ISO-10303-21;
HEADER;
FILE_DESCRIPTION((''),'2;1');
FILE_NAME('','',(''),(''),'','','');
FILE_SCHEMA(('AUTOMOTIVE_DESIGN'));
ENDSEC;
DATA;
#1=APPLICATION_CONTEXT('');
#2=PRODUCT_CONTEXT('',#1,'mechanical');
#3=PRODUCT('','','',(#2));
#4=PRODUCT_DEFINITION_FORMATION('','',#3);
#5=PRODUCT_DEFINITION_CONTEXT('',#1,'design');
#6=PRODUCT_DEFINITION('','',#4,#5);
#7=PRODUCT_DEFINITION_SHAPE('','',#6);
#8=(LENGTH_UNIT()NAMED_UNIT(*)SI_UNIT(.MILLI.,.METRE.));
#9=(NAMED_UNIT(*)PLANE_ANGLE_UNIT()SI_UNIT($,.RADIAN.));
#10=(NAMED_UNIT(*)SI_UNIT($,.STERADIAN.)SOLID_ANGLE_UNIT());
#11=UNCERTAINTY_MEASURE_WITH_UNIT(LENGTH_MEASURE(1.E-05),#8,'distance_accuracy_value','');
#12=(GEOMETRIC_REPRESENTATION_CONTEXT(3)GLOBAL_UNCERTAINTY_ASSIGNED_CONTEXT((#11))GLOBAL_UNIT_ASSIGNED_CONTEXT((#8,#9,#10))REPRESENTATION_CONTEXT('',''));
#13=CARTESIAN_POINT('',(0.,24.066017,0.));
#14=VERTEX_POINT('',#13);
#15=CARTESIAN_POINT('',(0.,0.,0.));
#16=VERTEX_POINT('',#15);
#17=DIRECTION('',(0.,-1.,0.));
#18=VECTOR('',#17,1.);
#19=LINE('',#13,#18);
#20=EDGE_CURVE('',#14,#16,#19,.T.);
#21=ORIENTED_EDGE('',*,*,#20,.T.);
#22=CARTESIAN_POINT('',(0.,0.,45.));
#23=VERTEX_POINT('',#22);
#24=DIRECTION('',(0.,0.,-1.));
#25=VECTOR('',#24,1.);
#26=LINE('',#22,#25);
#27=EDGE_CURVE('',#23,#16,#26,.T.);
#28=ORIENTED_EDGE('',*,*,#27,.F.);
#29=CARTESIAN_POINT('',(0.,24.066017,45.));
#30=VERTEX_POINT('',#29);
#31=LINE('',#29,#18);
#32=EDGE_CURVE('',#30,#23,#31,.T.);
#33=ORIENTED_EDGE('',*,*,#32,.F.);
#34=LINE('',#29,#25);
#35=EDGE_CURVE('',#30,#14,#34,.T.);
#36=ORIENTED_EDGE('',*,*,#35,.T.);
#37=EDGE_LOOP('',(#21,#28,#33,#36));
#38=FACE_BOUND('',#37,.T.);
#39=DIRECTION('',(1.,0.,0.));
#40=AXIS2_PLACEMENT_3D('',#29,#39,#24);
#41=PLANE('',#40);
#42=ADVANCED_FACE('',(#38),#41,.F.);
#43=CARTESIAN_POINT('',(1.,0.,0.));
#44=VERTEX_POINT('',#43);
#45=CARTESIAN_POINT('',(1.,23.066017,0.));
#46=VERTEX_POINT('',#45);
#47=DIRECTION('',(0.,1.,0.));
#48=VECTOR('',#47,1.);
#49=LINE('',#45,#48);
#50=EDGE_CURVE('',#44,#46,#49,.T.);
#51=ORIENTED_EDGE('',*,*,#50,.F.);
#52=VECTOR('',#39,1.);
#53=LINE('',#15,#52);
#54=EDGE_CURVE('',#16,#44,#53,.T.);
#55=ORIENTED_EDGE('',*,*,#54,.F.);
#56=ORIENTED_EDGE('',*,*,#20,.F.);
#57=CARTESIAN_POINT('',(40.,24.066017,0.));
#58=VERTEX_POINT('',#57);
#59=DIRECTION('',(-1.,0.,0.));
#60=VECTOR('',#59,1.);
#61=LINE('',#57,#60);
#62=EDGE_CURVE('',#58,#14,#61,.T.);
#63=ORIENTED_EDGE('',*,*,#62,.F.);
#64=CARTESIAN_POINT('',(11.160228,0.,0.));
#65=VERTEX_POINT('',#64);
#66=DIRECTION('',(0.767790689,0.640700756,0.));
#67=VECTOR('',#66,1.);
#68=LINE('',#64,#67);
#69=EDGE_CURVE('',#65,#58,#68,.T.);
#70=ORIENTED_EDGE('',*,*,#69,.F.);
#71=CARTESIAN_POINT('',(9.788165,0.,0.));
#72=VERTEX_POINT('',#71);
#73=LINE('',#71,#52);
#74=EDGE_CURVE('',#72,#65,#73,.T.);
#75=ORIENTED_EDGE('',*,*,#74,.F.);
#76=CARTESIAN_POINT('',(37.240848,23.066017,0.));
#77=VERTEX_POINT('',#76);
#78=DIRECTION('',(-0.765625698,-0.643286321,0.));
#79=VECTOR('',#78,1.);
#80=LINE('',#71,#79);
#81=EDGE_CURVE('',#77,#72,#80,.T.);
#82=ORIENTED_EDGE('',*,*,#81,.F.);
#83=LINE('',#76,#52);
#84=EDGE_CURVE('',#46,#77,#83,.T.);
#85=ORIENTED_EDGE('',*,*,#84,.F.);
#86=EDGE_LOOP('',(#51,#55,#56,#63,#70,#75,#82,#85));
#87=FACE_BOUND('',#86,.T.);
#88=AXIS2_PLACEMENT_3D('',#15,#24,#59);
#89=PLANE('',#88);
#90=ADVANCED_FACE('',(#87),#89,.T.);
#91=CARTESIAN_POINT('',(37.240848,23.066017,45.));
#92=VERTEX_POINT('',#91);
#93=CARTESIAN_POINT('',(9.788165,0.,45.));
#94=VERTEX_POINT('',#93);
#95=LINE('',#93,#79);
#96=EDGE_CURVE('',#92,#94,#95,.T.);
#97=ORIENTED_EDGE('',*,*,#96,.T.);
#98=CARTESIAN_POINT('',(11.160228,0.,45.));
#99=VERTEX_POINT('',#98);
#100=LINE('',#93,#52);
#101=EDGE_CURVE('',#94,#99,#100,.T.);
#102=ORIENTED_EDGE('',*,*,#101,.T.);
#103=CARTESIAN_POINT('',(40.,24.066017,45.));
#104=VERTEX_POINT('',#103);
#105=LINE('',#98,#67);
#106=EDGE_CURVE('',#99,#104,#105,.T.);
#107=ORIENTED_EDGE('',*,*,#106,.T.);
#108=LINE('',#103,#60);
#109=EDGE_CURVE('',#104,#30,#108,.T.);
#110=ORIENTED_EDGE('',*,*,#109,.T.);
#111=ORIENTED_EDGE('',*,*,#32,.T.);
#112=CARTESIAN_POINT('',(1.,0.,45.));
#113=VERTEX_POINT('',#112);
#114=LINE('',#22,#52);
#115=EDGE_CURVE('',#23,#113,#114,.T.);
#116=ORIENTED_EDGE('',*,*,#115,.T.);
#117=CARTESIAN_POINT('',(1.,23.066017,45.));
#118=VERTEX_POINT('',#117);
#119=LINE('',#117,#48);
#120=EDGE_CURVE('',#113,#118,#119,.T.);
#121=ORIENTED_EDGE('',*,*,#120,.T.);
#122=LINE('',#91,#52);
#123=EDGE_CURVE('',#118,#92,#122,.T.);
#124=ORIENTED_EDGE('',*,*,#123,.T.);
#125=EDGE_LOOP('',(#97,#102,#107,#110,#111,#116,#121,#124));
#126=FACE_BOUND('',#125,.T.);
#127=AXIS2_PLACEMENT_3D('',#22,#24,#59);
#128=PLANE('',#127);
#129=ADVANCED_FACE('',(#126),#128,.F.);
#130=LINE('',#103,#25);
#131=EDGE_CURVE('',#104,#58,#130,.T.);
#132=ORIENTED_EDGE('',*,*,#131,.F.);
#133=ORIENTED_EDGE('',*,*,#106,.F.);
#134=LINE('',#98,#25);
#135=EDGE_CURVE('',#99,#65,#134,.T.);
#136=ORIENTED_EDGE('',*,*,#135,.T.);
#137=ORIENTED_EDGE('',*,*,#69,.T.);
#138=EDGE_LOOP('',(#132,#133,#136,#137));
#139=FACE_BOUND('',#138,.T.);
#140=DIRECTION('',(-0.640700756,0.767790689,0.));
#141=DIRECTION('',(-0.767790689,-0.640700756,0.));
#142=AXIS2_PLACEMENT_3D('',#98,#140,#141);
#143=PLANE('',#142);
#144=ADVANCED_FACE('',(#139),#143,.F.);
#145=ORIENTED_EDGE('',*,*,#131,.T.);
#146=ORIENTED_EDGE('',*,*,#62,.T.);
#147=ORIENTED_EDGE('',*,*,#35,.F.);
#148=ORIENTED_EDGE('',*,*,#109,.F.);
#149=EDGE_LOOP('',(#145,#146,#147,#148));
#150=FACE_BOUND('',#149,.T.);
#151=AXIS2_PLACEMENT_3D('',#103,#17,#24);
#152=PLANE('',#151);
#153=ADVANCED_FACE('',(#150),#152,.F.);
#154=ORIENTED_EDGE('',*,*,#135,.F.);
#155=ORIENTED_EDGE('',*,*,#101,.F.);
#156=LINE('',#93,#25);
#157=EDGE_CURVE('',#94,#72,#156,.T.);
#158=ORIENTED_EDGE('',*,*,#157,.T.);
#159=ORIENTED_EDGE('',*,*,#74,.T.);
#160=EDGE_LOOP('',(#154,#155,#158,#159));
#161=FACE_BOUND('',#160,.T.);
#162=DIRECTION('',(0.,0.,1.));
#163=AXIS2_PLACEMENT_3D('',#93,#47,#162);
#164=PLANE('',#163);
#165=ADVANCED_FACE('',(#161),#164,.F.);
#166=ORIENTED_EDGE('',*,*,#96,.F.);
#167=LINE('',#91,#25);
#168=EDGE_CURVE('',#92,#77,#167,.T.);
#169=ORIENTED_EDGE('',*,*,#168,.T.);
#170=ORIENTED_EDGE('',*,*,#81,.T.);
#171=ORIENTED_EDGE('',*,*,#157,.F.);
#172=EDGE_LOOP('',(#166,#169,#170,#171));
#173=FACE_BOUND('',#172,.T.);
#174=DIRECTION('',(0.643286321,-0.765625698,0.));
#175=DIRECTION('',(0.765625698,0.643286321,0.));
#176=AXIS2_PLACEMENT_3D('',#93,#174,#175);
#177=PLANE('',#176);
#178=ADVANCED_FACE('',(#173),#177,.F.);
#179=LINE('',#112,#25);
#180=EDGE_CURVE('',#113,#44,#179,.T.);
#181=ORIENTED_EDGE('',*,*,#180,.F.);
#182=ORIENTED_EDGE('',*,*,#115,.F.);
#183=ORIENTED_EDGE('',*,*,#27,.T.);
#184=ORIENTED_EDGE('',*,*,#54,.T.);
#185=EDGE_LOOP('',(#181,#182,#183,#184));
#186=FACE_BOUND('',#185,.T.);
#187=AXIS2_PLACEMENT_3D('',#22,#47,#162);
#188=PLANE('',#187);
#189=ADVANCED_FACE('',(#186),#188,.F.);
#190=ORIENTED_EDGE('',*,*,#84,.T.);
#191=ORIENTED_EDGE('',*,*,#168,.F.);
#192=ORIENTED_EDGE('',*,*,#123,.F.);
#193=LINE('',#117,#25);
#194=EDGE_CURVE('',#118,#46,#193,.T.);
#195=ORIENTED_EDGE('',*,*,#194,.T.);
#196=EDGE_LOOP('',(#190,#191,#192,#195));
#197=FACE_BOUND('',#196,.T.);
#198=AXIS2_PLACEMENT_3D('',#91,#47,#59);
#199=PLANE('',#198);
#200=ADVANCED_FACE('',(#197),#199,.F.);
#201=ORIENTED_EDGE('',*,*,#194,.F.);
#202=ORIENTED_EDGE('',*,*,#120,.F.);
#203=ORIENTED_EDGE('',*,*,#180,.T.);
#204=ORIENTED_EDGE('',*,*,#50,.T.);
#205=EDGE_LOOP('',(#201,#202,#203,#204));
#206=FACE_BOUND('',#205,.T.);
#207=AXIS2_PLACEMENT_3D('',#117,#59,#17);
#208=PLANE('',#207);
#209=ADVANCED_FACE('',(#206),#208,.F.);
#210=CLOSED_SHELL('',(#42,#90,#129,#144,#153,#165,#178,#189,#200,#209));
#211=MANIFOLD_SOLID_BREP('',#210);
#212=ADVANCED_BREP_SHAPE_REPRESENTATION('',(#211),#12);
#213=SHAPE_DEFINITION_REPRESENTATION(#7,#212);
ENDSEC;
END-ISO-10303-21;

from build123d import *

# Parameters (mm, degrees)
BOSS_EXTRUDE1_DEPTH = 45


with BuildPart() as part:
    # Sketch1 → Boss-Extrude1 (new body)
    with BuildSketch(Plane.XY):
        Polygon((11.160227706, 0), (40, 24.066017178), (0, 24.066017178), (0, 0), (1, 0), (1, 23.066017178), (37.240848129, 23.066017178), (9.788165031, 0), align=None)
    extrude(amount=BOSS_EXTRUDE1_DEPTH)


solid = part.part
